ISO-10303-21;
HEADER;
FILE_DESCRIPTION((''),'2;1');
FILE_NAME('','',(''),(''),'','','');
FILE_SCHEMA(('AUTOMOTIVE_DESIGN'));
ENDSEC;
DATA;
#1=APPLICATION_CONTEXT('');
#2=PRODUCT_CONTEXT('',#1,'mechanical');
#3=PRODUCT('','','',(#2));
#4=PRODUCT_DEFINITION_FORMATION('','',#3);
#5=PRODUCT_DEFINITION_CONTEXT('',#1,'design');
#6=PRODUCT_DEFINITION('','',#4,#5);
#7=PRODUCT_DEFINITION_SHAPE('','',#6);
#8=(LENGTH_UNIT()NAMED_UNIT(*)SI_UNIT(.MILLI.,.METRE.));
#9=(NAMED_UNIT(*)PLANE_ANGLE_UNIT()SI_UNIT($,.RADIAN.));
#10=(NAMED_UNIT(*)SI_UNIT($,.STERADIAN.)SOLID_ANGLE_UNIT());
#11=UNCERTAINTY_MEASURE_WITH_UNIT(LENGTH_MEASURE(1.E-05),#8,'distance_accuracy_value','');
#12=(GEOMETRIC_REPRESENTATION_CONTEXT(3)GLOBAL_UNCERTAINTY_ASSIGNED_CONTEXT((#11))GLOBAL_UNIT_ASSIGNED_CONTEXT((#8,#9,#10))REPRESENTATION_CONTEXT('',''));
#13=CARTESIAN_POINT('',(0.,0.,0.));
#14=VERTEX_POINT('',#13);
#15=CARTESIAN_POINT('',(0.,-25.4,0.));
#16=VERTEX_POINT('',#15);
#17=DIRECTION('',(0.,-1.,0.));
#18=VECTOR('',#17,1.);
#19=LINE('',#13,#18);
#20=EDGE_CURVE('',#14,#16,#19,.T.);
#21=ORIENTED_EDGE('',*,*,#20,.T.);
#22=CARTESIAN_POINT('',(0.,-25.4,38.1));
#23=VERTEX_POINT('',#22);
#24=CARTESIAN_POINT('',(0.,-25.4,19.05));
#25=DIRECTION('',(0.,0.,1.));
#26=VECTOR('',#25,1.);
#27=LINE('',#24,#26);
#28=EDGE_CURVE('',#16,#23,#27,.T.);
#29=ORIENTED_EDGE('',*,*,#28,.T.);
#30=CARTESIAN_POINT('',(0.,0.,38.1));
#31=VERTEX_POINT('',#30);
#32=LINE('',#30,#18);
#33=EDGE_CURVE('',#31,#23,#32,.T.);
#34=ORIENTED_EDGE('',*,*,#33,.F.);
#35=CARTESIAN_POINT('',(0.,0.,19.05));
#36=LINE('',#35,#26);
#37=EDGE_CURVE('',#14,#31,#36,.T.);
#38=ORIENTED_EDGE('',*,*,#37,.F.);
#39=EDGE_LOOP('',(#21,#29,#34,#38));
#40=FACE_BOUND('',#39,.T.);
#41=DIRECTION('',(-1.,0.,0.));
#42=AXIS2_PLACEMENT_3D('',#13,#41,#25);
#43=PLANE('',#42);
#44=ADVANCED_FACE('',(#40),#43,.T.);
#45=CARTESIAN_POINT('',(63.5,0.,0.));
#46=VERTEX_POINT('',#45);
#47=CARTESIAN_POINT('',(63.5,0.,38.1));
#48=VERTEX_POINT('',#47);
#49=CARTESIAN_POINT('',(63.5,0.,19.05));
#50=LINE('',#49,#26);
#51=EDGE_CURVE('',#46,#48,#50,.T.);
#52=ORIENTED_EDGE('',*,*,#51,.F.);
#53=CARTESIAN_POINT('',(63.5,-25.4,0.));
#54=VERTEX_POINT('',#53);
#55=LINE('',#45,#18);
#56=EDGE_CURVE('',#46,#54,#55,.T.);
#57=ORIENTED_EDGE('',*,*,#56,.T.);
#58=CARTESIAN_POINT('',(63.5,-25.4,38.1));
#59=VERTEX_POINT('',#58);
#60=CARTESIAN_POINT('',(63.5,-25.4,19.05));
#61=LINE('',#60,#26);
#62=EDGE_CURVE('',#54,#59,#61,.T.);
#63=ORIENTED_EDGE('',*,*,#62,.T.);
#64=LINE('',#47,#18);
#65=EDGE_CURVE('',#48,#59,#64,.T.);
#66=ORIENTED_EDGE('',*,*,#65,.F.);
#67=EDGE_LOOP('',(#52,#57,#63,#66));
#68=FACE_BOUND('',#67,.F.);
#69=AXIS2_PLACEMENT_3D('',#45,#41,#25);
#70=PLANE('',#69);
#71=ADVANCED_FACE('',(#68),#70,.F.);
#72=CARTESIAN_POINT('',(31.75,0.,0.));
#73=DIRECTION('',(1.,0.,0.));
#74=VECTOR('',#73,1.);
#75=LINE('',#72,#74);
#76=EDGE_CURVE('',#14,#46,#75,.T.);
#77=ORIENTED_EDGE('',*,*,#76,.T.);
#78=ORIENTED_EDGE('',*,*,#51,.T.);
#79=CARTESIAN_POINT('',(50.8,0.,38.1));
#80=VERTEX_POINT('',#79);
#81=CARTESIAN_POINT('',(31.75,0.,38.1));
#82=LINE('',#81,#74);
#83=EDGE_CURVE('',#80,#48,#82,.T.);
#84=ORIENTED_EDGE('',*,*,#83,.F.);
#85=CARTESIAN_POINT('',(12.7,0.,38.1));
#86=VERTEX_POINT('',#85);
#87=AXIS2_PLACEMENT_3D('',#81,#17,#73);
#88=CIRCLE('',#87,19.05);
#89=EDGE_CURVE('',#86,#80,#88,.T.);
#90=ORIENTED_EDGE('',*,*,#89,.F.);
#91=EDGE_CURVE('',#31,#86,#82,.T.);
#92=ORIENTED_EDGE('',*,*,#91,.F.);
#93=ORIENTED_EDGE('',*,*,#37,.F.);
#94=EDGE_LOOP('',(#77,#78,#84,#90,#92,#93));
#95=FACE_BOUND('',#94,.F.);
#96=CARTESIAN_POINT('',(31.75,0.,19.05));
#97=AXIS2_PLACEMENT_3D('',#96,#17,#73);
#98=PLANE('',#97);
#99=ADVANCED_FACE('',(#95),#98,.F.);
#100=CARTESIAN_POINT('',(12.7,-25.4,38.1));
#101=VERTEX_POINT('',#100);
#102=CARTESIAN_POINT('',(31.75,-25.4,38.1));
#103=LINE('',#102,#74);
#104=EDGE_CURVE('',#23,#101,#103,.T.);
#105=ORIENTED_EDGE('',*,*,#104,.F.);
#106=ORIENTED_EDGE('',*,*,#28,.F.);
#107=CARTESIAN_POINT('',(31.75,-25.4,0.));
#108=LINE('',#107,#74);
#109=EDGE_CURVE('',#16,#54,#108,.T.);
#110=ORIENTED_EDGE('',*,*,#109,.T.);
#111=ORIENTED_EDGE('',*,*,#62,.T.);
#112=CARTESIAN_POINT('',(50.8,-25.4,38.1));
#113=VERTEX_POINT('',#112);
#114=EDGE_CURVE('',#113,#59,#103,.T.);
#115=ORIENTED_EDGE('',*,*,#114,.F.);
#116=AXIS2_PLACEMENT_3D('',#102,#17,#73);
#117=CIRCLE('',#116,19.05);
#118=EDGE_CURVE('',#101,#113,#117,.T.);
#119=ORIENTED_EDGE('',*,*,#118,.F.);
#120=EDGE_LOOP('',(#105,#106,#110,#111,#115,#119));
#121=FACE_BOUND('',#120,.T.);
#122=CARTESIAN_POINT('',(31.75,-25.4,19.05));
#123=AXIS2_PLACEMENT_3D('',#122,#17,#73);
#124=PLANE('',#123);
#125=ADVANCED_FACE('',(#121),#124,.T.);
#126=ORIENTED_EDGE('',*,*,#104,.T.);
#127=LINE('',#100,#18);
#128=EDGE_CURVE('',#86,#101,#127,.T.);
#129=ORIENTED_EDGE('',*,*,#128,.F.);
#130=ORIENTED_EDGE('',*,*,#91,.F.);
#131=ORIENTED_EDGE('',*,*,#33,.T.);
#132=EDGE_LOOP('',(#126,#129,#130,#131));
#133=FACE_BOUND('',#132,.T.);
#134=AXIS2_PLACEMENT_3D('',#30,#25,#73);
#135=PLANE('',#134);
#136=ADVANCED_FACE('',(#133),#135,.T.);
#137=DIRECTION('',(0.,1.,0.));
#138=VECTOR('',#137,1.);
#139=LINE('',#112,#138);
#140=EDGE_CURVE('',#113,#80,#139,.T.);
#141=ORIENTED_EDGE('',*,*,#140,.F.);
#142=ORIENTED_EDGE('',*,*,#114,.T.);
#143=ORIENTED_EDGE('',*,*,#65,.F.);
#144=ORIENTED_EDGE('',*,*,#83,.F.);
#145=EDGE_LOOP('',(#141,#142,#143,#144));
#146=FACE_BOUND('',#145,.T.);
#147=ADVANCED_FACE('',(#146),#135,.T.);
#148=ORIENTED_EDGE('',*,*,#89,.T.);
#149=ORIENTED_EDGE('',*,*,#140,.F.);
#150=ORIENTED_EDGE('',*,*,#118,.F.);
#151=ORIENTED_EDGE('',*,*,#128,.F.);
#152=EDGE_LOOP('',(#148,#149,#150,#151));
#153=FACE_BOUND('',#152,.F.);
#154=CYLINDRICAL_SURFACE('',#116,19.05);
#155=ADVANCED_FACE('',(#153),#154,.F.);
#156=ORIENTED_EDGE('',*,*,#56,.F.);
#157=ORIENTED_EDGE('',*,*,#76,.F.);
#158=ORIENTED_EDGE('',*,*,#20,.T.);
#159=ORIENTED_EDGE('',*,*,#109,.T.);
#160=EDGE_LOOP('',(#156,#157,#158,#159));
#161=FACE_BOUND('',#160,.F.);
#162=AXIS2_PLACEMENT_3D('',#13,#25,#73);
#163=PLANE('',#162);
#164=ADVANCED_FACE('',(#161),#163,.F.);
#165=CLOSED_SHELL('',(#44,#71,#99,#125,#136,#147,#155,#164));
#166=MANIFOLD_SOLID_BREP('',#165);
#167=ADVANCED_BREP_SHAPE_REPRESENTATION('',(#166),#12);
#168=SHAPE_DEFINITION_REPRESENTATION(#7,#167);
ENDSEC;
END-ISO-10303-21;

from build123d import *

# Parameters (mm, degrees)
F0_W     = 63.5
F0_H     = 38.1
F1_DEPTH = 25.4
F3_DEPTH = 25.4


with BuildPart() as f1:
    # F0 (on Front) → F1 (new body)
    with BuildSketch(Plane.XZ):
        with Locations((31.75, 19.05)):
            Rectangle(F0_W, F0_H)
    extrude(amount=F1_DEPTH)

    # F2 (on face) → F3 (cut)
    with BuildSketch(Plane.XZ.offset(25.4)):
        with BuildLine():
            ThreePointArc((12.7, 38.1), (31.75, 19.05), (50.8, 38.1))
            Line((50.8, 38.1), (12.7, 38.1))
        make_face()
        with BuildLine():
            Line((12.7, 38.1), (50.8, 38.1))
            ThreePointArc((50.8, 38.1), (31.75, 57.15), (12.7, 38.1))
        make_face()
    extrude(amount=-F3_DEPTH, mode=Mode.SUBTRACT)


solid = f1.part
